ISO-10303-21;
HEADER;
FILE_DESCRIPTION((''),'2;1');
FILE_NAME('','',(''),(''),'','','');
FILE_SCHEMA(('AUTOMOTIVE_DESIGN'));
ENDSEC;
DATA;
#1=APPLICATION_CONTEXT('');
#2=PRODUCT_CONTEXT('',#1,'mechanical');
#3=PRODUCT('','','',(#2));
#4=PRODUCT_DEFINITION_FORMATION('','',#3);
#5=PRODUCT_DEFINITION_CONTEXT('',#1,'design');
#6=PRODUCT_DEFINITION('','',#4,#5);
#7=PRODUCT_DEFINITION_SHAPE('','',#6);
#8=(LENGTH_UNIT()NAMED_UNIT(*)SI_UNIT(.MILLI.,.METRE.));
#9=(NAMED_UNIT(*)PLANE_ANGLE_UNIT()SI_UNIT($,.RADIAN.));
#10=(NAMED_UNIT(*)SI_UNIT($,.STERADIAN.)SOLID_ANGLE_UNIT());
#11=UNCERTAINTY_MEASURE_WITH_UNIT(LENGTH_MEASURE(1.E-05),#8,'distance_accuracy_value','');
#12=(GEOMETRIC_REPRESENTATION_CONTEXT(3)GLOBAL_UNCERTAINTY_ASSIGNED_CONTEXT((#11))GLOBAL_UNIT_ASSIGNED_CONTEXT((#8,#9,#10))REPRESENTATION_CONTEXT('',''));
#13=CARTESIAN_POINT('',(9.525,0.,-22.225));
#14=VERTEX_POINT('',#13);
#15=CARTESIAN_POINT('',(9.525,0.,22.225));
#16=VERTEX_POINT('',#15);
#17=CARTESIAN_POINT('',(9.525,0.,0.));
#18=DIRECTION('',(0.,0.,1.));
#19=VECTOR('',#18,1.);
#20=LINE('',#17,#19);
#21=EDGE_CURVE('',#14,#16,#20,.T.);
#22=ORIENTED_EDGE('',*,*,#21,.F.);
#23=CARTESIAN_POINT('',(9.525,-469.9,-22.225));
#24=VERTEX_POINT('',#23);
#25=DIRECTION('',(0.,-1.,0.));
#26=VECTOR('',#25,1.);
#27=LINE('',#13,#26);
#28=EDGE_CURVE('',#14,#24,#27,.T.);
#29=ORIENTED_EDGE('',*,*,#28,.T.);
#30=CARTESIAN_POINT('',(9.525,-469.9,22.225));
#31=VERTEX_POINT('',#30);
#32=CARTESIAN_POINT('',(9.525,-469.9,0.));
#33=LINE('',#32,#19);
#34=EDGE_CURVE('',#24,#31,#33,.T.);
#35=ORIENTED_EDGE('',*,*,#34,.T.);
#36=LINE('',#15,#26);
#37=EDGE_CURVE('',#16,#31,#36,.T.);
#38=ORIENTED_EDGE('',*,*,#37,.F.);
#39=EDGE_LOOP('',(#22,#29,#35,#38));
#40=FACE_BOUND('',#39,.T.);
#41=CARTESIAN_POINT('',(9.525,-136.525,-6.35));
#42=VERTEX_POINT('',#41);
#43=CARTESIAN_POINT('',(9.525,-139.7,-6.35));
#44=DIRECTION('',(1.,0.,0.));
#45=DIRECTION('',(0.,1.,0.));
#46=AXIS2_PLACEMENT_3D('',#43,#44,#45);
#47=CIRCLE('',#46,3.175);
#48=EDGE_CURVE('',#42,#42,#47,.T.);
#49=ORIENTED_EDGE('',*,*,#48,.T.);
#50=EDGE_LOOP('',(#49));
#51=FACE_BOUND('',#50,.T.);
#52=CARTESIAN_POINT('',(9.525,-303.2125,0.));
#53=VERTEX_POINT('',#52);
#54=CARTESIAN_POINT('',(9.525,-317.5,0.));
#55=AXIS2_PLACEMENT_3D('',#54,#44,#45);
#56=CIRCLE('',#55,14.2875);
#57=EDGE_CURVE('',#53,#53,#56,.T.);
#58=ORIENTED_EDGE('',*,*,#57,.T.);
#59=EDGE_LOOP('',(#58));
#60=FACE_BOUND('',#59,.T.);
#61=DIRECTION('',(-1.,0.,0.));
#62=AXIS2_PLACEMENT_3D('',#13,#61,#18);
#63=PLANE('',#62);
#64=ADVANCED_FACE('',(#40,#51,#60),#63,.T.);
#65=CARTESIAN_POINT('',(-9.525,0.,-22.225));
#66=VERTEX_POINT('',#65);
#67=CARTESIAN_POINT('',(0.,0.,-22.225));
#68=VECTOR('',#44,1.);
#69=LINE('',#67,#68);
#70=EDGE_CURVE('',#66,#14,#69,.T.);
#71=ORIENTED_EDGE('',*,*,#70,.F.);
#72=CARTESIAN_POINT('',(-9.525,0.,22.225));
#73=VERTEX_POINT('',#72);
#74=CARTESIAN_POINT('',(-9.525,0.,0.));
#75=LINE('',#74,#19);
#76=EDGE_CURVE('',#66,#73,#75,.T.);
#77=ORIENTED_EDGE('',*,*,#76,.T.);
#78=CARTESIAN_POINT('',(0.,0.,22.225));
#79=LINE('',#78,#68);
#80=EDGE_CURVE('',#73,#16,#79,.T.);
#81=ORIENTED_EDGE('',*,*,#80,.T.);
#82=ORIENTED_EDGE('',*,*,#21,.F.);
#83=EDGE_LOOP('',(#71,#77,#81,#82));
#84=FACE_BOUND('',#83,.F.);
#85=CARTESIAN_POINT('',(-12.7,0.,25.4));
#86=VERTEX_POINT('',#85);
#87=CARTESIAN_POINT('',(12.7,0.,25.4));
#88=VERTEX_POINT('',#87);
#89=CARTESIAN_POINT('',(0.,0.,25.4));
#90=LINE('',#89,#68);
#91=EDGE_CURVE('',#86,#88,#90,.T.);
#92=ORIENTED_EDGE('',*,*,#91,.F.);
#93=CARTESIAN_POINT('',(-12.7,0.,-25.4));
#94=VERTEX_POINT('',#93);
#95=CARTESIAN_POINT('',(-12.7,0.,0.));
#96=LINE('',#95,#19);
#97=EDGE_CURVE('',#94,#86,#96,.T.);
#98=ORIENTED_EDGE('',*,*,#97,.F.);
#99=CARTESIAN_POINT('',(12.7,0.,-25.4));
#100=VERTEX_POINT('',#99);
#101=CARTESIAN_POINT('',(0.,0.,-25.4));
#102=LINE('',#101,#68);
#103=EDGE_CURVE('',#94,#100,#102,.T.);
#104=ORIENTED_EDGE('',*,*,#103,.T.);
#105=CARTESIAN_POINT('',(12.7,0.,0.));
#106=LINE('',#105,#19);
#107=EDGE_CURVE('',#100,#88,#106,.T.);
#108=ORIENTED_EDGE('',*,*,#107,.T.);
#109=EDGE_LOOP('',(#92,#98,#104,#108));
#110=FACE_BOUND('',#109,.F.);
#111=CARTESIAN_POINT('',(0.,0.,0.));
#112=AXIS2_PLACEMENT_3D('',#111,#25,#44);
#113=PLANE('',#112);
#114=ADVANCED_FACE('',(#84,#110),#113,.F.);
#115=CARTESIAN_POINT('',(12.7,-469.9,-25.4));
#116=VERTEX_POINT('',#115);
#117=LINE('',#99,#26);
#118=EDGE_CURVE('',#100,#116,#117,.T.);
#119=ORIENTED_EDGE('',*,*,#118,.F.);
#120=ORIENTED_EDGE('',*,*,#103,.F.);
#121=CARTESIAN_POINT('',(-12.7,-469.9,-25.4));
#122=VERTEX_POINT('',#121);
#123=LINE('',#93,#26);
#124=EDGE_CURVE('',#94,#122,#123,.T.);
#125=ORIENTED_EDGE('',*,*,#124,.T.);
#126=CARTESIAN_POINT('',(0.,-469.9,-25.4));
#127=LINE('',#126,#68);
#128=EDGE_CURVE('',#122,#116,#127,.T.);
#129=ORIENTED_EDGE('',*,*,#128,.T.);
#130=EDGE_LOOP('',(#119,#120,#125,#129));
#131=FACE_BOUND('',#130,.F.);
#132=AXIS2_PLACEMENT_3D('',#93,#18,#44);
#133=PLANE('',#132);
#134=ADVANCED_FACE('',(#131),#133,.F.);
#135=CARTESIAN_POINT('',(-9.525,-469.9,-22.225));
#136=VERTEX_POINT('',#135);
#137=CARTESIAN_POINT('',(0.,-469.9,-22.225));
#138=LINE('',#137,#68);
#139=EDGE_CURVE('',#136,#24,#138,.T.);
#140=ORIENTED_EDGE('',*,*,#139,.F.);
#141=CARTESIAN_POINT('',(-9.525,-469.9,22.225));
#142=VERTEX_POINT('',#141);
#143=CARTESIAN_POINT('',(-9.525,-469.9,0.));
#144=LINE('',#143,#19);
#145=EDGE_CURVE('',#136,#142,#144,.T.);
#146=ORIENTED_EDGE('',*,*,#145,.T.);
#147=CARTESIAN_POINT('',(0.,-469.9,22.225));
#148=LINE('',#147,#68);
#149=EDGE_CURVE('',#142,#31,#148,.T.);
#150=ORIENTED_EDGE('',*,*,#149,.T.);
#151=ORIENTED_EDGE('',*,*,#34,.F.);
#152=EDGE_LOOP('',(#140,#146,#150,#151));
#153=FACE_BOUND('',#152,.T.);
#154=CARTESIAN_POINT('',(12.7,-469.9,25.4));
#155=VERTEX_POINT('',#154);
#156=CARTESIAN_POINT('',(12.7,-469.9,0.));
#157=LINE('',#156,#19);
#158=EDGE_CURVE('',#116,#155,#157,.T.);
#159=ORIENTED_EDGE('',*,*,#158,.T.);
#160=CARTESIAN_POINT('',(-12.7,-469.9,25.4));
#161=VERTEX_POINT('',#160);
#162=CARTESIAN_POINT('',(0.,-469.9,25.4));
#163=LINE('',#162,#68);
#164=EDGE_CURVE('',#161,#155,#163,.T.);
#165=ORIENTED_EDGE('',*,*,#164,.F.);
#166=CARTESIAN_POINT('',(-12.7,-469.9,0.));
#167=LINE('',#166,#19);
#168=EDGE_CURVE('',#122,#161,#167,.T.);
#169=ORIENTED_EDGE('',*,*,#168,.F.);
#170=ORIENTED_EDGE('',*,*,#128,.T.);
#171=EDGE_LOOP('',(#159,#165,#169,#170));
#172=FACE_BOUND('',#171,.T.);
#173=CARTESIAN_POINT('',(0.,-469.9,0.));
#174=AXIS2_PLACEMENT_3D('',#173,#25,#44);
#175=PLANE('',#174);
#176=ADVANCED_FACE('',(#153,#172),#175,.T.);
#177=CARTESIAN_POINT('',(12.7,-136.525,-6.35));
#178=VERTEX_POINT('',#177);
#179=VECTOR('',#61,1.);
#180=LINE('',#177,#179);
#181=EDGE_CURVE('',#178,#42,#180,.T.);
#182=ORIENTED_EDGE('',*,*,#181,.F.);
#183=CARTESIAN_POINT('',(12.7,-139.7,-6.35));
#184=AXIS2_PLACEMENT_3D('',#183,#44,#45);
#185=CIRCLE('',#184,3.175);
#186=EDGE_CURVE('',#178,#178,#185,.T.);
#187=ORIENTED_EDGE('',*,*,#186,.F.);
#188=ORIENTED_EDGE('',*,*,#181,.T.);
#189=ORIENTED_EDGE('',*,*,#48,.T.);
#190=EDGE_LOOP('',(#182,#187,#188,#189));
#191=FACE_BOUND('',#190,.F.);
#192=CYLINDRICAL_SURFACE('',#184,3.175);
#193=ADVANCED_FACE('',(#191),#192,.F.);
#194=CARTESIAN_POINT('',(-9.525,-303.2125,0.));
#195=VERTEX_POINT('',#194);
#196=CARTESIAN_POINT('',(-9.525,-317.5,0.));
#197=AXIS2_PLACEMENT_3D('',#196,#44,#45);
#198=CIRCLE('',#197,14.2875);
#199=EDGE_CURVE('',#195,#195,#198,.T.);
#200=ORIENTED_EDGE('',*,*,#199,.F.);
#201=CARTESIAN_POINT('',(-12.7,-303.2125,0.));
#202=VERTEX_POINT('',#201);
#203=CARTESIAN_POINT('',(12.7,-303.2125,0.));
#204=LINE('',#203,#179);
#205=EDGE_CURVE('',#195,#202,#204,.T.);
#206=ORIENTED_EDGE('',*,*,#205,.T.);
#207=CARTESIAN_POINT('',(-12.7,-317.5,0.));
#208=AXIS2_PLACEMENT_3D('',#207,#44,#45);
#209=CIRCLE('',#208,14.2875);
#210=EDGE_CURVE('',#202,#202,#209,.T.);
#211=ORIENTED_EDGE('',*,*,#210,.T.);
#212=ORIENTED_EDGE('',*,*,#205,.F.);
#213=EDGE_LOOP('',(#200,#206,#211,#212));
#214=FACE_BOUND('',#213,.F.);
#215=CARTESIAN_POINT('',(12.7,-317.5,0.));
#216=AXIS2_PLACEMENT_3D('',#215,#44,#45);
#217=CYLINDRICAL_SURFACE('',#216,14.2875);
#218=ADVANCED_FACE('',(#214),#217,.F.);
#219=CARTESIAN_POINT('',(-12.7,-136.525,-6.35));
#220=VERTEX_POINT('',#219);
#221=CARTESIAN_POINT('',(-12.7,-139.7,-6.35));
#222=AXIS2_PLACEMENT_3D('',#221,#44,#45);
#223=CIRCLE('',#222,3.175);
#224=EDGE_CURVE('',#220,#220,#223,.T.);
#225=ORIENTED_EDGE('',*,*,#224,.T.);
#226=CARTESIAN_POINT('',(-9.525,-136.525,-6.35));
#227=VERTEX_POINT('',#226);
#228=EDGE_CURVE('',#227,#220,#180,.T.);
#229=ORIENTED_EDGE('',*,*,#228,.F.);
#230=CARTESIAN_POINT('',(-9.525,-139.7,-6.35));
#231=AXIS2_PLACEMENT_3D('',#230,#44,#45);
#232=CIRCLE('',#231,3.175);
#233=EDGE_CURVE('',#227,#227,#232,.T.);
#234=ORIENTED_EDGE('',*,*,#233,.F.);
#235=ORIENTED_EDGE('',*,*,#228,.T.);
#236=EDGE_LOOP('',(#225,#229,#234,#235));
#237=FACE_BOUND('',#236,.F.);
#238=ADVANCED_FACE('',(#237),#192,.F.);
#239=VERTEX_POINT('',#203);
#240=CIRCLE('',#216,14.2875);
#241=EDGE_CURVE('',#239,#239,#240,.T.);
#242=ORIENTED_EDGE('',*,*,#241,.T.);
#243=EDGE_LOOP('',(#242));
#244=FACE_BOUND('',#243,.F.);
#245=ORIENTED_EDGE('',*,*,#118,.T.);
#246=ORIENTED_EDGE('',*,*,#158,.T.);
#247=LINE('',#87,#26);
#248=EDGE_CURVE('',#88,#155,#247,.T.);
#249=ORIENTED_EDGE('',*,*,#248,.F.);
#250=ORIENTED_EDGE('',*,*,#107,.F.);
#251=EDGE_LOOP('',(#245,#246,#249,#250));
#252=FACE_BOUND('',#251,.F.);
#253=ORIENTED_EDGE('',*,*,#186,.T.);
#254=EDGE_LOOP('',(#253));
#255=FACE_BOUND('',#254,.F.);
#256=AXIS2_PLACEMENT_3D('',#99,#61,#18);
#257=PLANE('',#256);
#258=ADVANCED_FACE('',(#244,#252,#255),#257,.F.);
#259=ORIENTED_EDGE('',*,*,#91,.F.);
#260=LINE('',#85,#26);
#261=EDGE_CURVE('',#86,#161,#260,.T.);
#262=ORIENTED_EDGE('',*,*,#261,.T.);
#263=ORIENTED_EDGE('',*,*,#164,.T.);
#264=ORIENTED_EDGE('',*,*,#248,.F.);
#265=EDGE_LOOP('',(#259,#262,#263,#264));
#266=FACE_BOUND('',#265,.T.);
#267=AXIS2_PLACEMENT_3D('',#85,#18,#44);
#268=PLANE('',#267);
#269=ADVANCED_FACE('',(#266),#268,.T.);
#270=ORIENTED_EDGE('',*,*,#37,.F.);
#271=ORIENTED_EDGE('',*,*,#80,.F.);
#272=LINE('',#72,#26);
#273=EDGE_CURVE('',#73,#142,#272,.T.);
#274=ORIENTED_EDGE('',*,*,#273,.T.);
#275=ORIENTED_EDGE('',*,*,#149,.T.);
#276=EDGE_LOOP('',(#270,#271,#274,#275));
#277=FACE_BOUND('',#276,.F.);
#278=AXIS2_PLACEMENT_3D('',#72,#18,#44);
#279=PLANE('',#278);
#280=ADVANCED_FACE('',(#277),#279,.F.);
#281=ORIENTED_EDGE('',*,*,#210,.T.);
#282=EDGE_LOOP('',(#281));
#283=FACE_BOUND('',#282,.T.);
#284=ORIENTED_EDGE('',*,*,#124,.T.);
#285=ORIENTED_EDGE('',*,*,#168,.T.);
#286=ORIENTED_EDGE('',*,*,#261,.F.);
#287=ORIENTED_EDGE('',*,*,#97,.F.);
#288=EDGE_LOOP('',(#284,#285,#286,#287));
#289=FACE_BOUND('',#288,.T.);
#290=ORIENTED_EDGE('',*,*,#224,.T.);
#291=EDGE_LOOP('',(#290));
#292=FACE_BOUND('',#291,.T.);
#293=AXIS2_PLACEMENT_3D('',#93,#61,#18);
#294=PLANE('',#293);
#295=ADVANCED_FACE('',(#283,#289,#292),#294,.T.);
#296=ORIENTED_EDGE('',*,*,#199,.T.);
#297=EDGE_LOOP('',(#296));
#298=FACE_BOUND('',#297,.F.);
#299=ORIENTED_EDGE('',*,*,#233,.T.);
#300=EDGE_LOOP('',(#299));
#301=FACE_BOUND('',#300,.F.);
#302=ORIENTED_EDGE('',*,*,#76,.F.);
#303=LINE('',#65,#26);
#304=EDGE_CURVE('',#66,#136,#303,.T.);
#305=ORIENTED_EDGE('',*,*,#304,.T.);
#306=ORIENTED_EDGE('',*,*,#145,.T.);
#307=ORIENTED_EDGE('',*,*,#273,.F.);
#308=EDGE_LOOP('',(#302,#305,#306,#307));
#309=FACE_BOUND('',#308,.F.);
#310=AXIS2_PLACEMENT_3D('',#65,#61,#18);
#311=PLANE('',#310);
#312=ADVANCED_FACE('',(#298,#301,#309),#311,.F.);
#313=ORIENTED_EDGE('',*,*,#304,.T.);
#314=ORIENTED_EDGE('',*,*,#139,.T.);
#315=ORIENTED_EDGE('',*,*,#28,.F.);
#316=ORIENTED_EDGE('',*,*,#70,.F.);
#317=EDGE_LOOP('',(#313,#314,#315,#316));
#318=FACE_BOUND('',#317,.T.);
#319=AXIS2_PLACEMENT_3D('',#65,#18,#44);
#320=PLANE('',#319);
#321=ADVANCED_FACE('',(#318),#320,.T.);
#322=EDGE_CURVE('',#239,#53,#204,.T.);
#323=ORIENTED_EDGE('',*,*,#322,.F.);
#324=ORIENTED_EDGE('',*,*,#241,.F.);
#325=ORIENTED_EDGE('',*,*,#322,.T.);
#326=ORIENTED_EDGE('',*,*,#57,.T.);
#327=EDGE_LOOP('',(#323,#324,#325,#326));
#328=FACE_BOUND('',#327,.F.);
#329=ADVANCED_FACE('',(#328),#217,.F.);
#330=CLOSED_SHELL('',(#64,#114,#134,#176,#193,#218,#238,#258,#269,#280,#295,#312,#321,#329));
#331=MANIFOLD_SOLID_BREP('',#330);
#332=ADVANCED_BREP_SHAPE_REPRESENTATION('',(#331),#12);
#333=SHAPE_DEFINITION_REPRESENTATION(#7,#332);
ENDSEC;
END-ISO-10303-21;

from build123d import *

# Parameters (mm, degrees)
F0_W     = 25.4
F0_H     = 50.8
F0_W_2   = 19.05
F0_H_2   = 44.45
F1_DEPTH = 469.9
F2_R     = 14.2875
F2_R_2   = 3.175
F3_DEPTH = 25.4


with BuildPart() as f1:
    # F0 (on Front) → F1 (new body)
    with BuildSketch(Plane.XZ):
        Rectangle(F0_W, F0_H)
        Rectangle(F0_W_2, F0_H_2, mode=Mode.SUBTRACT)
    extrude(amount=F1_DEPTH)

    # F2 (on face) → F3 (cut)
    with BuildSketch(Plane.YZ.offset(12.7)):
        with Locations((-317.5, 0)):
            Circle(F2_R)
        with Locations((-139.7, -6.35)):
            Circle(F2_R_2)
    extrude(amount=-F3_DEPTH, mode=Mode.SUBTRACT)


solid = f1.part
